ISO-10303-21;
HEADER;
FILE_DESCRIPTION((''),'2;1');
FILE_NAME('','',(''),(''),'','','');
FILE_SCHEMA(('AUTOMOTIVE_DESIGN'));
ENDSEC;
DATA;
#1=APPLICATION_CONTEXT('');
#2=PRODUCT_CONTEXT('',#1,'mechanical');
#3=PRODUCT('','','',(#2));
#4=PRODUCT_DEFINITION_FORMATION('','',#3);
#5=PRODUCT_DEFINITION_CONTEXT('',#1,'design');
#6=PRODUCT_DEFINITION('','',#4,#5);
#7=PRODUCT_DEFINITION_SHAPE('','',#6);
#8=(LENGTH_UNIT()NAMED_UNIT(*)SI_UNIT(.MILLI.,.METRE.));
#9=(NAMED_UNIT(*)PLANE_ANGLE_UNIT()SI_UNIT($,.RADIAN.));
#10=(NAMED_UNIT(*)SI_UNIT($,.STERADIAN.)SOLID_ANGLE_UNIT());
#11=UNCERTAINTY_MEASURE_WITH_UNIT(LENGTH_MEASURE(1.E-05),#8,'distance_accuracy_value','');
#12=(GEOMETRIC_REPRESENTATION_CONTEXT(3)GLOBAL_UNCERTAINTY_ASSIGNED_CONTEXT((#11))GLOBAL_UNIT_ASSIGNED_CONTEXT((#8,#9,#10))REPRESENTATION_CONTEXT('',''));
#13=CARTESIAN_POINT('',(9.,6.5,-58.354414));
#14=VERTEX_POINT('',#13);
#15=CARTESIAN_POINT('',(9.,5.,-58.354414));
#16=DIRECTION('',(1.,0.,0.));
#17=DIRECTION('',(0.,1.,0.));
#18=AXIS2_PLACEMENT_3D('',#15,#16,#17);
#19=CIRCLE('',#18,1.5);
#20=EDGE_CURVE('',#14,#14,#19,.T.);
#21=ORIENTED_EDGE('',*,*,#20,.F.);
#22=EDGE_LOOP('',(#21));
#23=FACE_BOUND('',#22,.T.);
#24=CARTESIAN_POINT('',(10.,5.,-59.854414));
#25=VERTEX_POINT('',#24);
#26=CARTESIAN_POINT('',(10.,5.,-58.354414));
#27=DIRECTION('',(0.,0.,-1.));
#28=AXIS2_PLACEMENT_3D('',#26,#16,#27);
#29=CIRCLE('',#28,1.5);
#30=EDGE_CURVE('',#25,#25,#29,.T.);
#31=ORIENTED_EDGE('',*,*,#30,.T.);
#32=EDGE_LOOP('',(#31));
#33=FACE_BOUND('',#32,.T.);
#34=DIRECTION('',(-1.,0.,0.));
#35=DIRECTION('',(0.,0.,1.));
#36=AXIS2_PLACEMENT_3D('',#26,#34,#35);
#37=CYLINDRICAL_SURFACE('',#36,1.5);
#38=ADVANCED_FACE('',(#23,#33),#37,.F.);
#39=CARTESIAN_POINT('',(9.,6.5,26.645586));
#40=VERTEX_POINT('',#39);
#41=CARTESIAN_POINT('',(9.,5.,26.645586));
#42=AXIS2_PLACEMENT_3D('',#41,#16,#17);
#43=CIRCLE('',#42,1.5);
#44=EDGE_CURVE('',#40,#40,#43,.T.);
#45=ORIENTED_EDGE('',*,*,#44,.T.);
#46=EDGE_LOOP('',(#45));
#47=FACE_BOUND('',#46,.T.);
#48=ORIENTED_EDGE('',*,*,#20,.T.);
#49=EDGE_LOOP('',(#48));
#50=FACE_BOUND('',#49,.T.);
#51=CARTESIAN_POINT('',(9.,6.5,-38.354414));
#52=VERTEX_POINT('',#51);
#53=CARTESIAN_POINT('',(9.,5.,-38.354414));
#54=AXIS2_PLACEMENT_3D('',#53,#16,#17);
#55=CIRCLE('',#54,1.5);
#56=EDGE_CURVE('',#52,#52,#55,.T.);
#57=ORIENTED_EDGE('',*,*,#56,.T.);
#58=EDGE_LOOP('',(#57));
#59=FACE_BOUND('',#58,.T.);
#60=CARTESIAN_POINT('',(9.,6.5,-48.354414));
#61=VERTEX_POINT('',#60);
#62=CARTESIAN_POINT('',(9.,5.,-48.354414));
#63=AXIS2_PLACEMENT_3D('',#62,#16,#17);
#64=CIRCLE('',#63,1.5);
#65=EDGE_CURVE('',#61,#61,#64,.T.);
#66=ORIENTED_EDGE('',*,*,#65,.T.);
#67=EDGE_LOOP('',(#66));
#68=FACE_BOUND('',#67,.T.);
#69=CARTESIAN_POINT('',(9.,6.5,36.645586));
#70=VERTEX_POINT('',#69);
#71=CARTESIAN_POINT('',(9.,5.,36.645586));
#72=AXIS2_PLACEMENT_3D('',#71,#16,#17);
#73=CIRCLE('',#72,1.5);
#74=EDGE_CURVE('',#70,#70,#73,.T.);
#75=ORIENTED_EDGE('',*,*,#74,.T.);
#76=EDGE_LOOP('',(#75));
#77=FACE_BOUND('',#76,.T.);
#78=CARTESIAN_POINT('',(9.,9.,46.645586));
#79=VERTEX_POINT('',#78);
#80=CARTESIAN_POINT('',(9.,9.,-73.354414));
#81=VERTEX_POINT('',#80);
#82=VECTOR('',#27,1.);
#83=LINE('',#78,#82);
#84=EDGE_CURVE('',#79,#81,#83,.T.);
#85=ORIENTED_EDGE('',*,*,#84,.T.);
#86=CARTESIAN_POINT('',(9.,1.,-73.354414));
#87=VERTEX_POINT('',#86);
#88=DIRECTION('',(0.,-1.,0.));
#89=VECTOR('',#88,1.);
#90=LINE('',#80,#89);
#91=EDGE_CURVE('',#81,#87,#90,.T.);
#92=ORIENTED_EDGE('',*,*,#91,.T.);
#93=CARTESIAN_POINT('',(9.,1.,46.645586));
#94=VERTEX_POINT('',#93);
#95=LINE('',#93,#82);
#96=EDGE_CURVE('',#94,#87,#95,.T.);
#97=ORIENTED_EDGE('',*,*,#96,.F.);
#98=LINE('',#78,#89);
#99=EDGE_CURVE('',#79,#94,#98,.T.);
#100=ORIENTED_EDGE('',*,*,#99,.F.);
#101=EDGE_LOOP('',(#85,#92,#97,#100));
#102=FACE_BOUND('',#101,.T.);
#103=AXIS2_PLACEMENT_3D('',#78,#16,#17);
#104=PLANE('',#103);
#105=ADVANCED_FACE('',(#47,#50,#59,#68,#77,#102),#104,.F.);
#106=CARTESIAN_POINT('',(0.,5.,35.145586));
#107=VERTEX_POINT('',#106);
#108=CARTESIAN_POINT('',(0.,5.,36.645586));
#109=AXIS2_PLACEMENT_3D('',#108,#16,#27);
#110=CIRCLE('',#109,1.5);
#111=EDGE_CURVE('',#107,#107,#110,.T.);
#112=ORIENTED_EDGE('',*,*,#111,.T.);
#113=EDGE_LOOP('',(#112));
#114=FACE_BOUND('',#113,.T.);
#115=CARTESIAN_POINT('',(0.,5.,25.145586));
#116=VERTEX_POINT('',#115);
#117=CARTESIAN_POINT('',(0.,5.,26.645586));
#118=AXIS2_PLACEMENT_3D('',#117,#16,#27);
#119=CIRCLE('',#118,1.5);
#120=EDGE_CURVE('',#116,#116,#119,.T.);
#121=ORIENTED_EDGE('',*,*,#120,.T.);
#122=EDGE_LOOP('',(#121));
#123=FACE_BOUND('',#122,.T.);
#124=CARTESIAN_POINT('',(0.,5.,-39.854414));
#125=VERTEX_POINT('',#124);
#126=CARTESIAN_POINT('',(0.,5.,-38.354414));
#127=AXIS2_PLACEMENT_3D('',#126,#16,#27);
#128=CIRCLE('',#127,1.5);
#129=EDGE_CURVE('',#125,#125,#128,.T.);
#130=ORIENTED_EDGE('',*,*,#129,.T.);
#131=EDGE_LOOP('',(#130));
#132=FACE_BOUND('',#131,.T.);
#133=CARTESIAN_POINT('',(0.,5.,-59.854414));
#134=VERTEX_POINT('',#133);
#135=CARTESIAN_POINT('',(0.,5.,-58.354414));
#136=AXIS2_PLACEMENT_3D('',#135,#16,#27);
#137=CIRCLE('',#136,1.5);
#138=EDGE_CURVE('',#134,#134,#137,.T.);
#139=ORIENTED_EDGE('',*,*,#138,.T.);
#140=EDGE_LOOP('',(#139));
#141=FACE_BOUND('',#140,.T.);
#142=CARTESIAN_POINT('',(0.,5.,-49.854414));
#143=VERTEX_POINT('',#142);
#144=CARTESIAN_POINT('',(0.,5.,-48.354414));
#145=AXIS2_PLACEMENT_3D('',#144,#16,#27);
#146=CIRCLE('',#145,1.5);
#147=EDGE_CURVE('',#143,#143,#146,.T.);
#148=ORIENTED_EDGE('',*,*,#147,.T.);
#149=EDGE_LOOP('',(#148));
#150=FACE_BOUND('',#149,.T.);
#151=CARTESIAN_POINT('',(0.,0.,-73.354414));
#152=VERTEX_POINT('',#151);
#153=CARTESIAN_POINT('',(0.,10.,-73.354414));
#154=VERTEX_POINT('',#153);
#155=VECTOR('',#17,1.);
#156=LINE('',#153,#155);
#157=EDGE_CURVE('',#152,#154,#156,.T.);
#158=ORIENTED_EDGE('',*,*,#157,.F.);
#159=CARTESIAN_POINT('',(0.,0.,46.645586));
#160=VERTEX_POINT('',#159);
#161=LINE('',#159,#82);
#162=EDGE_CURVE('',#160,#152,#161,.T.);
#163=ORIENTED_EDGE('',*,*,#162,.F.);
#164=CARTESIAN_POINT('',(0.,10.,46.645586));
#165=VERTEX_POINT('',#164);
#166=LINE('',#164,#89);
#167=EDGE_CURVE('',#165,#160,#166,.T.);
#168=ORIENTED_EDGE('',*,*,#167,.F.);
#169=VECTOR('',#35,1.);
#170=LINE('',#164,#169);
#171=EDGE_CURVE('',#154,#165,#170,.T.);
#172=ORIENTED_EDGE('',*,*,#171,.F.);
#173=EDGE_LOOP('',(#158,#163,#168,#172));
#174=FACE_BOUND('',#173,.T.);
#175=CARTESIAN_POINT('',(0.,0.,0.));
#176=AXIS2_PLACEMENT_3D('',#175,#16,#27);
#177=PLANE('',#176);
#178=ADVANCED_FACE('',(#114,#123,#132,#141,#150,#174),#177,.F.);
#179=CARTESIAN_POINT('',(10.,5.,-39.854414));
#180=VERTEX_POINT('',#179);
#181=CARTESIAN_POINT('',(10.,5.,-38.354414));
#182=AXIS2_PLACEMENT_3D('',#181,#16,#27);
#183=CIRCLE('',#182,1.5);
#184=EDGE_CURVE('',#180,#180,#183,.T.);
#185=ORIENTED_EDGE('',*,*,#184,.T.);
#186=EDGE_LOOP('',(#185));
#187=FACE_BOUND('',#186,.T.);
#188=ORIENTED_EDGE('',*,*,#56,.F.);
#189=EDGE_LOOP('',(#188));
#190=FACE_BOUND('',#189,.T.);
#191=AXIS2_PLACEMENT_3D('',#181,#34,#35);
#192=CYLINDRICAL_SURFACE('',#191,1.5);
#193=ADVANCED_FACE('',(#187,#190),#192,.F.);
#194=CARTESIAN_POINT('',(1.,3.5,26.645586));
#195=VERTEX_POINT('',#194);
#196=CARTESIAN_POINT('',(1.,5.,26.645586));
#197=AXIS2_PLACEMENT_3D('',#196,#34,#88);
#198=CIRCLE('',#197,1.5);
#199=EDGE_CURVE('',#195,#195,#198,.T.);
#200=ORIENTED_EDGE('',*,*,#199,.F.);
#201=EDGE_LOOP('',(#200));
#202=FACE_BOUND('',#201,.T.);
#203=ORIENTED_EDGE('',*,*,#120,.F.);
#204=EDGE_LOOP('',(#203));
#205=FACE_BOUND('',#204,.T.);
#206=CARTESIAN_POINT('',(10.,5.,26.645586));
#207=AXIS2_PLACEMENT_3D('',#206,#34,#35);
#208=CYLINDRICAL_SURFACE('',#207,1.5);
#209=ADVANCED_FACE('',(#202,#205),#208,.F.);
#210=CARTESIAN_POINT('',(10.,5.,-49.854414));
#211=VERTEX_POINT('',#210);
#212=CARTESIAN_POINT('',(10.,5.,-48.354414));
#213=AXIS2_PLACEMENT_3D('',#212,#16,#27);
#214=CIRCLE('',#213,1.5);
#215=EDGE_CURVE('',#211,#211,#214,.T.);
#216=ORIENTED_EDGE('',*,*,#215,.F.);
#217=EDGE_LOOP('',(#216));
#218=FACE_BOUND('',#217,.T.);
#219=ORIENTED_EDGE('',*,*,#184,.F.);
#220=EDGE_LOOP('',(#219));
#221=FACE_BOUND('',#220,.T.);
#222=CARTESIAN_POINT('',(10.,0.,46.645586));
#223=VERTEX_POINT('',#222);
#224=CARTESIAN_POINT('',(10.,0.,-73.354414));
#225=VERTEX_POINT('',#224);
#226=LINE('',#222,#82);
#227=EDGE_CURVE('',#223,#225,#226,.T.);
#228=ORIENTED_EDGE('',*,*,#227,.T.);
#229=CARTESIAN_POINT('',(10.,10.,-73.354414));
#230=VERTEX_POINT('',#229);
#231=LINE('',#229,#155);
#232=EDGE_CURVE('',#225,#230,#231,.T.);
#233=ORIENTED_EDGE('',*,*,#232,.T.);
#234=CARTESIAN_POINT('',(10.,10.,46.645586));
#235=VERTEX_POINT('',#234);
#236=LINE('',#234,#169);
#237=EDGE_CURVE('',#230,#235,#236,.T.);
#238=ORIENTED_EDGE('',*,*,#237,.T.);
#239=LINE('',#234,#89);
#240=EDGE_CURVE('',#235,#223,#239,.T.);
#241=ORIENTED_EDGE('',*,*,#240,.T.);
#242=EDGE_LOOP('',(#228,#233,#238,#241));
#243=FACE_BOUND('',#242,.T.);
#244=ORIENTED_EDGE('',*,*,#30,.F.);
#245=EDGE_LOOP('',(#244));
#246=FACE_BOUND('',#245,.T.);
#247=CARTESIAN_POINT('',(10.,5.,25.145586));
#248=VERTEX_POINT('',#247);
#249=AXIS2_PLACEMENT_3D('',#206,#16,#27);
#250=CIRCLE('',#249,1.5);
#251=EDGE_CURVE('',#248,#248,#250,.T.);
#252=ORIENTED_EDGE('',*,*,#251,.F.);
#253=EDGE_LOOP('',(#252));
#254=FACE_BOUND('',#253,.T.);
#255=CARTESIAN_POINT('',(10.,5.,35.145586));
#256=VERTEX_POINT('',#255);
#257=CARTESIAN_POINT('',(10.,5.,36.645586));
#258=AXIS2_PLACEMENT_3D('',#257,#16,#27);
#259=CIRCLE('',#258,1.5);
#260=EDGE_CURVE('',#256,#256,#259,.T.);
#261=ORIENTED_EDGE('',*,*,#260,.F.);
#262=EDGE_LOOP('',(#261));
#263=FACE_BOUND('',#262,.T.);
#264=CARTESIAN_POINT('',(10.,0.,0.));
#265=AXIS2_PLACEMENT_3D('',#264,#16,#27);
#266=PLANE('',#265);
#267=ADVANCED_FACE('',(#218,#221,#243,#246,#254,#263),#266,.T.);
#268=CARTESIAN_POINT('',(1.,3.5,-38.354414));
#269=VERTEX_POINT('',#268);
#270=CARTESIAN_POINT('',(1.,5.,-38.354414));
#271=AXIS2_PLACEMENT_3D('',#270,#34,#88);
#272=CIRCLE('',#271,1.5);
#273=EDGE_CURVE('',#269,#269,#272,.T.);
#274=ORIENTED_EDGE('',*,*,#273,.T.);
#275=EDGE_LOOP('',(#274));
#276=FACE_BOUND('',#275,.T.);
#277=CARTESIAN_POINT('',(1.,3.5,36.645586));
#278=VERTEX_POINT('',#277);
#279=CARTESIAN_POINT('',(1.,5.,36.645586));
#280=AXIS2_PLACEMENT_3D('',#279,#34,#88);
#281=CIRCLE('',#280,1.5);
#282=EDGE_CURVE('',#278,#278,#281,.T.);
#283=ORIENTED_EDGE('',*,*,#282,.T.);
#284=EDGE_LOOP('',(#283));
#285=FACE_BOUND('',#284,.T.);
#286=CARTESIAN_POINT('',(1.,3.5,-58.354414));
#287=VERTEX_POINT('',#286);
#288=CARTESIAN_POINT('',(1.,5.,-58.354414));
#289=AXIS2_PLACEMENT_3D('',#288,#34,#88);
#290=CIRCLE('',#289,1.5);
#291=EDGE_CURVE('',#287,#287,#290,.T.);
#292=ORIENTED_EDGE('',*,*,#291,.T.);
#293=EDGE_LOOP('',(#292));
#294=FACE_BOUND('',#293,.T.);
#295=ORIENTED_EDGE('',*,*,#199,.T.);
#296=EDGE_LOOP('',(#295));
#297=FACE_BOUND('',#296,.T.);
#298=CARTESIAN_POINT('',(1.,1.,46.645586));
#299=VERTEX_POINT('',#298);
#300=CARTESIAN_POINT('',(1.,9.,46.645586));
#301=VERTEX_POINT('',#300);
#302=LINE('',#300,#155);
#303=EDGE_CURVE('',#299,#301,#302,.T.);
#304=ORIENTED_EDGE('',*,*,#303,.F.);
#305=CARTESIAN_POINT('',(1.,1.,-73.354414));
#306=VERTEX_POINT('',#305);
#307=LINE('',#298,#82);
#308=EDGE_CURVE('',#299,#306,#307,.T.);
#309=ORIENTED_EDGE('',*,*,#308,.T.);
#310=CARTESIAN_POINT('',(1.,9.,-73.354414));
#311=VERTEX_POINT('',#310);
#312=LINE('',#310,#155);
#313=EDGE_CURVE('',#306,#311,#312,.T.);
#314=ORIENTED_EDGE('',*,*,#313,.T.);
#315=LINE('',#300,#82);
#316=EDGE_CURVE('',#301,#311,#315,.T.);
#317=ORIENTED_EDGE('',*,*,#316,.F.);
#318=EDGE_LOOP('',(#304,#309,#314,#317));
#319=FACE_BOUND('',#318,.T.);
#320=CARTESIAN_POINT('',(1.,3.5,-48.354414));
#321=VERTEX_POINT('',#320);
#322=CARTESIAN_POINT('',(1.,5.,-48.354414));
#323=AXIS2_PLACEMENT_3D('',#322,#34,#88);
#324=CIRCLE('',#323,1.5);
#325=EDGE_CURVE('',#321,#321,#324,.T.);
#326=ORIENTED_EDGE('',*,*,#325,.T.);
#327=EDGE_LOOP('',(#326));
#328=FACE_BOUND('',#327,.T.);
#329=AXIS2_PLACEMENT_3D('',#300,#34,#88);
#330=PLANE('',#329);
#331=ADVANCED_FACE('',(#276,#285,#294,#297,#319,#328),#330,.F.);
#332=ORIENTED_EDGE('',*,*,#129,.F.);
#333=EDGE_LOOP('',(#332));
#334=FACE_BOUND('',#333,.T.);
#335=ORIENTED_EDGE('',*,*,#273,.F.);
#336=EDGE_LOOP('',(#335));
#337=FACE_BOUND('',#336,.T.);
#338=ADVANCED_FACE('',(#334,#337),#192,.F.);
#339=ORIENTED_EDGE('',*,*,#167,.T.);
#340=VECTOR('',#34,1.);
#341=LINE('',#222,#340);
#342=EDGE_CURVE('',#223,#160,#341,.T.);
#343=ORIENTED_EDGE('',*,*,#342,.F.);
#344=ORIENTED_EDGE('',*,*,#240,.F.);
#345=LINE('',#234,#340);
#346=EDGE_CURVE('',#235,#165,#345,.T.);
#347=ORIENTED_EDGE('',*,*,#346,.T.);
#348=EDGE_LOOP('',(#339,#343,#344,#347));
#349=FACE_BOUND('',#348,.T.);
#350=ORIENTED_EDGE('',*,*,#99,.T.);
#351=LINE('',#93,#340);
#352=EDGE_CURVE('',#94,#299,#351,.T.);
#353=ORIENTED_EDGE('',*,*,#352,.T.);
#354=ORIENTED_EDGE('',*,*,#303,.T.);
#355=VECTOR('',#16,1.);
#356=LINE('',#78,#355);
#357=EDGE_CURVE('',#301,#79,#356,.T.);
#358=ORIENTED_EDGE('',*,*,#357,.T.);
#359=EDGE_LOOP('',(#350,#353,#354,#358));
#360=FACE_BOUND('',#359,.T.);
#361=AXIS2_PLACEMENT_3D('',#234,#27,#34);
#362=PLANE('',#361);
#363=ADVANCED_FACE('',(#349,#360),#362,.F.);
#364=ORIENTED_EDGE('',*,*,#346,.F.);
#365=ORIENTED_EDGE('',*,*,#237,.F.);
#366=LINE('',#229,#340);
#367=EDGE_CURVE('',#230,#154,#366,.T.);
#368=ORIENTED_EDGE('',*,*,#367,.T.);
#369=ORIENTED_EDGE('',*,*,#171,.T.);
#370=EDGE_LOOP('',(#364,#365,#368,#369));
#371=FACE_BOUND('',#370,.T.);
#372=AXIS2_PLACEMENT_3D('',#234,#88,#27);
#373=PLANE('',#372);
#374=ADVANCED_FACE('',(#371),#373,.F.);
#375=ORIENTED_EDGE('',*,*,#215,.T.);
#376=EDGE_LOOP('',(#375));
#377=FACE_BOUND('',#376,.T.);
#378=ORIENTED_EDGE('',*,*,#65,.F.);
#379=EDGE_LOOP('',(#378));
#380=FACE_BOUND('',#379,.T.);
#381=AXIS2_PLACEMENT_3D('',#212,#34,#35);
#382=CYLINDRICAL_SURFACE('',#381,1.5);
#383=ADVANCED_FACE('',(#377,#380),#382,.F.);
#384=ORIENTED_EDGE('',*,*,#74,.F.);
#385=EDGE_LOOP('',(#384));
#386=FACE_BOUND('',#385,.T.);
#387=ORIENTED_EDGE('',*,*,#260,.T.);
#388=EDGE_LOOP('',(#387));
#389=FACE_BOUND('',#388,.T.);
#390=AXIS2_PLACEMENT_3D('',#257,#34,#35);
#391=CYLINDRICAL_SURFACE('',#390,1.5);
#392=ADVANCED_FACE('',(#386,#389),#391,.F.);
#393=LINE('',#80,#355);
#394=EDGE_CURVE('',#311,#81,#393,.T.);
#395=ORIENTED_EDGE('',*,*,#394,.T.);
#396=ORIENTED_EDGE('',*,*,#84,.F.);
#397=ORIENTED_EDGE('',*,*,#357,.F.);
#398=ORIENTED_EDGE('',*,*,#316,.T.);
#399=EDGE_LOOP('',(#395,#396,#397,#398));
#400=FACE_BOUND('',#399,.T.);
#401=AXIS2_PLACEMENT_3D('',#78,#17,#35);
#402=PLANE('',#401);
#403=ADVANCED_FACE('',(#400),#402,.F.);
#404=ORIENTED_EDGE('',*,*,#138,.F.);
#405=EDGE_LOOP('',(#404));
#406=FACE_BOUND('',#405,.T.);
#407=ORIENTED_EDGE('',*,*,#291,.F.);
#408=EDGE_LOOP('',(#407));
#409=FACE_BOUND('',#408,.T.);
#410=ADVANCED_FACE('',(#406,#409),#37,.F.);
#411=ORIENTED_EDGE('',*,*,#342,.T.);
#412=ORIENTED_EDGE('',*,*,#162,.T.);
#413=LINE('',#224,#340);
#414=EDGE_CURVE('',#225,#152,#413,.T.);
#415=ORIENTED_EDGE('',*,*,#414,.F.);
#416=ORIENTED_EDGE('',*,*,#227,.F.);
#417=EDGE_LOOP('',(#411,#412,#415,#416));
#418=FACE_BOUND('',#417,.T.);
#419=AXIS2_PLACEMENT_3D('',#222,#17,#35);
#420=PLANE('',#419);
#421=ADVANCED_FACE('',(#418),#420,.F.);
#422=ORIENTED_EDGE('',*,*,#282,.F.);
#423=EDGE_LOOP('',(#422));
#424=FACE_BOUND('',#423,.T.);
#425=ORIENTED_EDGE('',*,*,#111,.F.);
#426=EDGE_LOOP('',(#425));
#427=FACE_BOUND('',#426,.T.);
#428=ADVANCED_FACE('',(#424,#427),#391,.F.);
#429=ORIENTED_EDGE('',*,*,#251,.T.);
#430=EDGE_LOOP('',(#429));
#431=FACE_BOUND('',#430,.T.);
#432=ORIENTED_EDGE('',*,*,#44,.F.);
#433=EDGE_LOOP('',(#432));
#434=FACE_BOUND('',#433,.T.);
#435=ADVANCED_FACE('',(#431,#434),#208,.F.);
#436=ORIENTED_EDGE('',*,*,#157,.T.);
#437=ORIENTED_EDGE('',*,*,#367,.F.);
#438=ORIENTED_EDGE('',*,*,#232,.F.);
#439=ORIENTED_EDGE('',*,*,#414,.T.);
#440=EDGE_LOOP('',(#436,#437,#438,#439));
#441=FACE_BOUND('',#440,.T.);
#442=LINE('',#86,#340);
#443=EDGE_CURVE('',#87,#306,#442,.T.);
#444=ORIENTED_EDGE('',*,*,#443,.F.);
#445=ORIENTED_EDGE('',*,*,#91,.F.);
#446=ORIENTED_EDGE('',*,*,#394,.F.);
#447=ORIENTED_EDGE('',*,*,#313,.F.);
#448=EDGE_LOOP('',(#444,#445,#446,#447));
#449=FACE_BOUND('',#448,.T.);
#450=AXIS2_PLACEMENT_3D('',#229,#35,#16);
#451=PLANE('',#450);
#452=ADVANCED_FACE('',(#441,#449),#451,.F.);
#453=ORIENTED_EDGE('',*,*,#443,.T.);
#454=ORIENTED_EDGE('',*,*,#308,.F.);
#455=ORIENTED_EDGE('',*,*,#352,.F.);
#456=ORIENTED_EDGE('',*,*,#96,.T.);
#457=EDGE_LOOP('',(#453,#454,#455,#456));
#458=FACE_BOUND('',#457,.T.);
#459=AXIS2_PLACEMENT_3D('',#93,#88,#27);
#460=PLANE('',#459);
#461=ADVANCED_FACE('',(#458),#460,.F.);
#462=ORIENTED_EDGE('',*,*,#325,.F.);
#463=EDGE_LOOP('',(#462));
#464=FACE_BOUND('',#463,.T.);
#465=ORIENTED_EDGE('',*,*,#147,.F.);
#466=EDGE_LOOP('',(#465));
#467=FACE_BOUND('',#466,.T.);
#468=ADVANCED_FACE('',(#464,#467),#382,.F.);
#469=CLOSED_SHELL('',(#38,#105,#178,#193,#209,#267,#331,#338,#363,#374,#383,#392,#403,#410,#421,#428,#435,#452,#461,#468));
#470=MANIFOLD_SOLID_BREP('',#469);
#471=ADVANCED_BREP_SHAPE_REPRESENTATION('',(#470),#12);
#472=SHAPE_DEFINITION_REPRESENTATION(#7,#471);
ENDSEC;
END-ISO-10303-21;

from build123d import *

# Parameters (mm, degrees)
SKETCH_1_W          = 120
SKETCH_1_H          = 10
SKETCH_1_R          = 1.5
EXTRUDE_1_DEPTH     = 10
SKETCH_2_W          = 8
SKETCH_2_H          = 8
CUT_EXTRUDE_1_DEPTH = 120


with BuildPart() as part:
    # 草图1 → 凸台-拉伸1 (new body)
    with BuildSketch(Plane(origin=(0, 0, 0), x_dir=(0, 0, -1), z_dir=(1, 0, 0))):
        with Locations((13.354414341, 5)):
            Rectangle(SKETCH_1_W, SKETCH_1_H)
        with Locations((-36.645585659, 5)):
            Circle(SKETCH_1_R, mode=Mode.SUBTRACT)
        with Locations((-26.645585659, 5)):
            Circle(SKETCH_1_R, mode=Mode.SUBTRACT)
        with Locations((58.354414341, 5)):
            Circle(SKETCH_1_R, mode=Mode.SUBTRACT)
        with Locations((48.354414341, 5)):
            Circle(SKETCH_1_R, mode=Mode.SUBTRACT)
        with Locations((38.354414341, 5)):
            Circle(SKETCH_1_R, mode=Mode.SUBTRACT)
    extrude(amount=EXTRUDE_1_DEPTH)

    # 草图2 → 切除-拉伸1 (cut)
    with BuildSketch(Plane(origin=(0, 0, -73.354414341), x_dir=(-1, 0, 0), z_dir=(0, 0, -1))):
        with Locations((-5, 5)):
            Rectangle(SKETCH_2_W, SKETCH_2_H)
    extrude(amount=-CUT_EXTRUDE_1_DEPTH, mode=Mode.SUBTRACT)


solid = part.part
